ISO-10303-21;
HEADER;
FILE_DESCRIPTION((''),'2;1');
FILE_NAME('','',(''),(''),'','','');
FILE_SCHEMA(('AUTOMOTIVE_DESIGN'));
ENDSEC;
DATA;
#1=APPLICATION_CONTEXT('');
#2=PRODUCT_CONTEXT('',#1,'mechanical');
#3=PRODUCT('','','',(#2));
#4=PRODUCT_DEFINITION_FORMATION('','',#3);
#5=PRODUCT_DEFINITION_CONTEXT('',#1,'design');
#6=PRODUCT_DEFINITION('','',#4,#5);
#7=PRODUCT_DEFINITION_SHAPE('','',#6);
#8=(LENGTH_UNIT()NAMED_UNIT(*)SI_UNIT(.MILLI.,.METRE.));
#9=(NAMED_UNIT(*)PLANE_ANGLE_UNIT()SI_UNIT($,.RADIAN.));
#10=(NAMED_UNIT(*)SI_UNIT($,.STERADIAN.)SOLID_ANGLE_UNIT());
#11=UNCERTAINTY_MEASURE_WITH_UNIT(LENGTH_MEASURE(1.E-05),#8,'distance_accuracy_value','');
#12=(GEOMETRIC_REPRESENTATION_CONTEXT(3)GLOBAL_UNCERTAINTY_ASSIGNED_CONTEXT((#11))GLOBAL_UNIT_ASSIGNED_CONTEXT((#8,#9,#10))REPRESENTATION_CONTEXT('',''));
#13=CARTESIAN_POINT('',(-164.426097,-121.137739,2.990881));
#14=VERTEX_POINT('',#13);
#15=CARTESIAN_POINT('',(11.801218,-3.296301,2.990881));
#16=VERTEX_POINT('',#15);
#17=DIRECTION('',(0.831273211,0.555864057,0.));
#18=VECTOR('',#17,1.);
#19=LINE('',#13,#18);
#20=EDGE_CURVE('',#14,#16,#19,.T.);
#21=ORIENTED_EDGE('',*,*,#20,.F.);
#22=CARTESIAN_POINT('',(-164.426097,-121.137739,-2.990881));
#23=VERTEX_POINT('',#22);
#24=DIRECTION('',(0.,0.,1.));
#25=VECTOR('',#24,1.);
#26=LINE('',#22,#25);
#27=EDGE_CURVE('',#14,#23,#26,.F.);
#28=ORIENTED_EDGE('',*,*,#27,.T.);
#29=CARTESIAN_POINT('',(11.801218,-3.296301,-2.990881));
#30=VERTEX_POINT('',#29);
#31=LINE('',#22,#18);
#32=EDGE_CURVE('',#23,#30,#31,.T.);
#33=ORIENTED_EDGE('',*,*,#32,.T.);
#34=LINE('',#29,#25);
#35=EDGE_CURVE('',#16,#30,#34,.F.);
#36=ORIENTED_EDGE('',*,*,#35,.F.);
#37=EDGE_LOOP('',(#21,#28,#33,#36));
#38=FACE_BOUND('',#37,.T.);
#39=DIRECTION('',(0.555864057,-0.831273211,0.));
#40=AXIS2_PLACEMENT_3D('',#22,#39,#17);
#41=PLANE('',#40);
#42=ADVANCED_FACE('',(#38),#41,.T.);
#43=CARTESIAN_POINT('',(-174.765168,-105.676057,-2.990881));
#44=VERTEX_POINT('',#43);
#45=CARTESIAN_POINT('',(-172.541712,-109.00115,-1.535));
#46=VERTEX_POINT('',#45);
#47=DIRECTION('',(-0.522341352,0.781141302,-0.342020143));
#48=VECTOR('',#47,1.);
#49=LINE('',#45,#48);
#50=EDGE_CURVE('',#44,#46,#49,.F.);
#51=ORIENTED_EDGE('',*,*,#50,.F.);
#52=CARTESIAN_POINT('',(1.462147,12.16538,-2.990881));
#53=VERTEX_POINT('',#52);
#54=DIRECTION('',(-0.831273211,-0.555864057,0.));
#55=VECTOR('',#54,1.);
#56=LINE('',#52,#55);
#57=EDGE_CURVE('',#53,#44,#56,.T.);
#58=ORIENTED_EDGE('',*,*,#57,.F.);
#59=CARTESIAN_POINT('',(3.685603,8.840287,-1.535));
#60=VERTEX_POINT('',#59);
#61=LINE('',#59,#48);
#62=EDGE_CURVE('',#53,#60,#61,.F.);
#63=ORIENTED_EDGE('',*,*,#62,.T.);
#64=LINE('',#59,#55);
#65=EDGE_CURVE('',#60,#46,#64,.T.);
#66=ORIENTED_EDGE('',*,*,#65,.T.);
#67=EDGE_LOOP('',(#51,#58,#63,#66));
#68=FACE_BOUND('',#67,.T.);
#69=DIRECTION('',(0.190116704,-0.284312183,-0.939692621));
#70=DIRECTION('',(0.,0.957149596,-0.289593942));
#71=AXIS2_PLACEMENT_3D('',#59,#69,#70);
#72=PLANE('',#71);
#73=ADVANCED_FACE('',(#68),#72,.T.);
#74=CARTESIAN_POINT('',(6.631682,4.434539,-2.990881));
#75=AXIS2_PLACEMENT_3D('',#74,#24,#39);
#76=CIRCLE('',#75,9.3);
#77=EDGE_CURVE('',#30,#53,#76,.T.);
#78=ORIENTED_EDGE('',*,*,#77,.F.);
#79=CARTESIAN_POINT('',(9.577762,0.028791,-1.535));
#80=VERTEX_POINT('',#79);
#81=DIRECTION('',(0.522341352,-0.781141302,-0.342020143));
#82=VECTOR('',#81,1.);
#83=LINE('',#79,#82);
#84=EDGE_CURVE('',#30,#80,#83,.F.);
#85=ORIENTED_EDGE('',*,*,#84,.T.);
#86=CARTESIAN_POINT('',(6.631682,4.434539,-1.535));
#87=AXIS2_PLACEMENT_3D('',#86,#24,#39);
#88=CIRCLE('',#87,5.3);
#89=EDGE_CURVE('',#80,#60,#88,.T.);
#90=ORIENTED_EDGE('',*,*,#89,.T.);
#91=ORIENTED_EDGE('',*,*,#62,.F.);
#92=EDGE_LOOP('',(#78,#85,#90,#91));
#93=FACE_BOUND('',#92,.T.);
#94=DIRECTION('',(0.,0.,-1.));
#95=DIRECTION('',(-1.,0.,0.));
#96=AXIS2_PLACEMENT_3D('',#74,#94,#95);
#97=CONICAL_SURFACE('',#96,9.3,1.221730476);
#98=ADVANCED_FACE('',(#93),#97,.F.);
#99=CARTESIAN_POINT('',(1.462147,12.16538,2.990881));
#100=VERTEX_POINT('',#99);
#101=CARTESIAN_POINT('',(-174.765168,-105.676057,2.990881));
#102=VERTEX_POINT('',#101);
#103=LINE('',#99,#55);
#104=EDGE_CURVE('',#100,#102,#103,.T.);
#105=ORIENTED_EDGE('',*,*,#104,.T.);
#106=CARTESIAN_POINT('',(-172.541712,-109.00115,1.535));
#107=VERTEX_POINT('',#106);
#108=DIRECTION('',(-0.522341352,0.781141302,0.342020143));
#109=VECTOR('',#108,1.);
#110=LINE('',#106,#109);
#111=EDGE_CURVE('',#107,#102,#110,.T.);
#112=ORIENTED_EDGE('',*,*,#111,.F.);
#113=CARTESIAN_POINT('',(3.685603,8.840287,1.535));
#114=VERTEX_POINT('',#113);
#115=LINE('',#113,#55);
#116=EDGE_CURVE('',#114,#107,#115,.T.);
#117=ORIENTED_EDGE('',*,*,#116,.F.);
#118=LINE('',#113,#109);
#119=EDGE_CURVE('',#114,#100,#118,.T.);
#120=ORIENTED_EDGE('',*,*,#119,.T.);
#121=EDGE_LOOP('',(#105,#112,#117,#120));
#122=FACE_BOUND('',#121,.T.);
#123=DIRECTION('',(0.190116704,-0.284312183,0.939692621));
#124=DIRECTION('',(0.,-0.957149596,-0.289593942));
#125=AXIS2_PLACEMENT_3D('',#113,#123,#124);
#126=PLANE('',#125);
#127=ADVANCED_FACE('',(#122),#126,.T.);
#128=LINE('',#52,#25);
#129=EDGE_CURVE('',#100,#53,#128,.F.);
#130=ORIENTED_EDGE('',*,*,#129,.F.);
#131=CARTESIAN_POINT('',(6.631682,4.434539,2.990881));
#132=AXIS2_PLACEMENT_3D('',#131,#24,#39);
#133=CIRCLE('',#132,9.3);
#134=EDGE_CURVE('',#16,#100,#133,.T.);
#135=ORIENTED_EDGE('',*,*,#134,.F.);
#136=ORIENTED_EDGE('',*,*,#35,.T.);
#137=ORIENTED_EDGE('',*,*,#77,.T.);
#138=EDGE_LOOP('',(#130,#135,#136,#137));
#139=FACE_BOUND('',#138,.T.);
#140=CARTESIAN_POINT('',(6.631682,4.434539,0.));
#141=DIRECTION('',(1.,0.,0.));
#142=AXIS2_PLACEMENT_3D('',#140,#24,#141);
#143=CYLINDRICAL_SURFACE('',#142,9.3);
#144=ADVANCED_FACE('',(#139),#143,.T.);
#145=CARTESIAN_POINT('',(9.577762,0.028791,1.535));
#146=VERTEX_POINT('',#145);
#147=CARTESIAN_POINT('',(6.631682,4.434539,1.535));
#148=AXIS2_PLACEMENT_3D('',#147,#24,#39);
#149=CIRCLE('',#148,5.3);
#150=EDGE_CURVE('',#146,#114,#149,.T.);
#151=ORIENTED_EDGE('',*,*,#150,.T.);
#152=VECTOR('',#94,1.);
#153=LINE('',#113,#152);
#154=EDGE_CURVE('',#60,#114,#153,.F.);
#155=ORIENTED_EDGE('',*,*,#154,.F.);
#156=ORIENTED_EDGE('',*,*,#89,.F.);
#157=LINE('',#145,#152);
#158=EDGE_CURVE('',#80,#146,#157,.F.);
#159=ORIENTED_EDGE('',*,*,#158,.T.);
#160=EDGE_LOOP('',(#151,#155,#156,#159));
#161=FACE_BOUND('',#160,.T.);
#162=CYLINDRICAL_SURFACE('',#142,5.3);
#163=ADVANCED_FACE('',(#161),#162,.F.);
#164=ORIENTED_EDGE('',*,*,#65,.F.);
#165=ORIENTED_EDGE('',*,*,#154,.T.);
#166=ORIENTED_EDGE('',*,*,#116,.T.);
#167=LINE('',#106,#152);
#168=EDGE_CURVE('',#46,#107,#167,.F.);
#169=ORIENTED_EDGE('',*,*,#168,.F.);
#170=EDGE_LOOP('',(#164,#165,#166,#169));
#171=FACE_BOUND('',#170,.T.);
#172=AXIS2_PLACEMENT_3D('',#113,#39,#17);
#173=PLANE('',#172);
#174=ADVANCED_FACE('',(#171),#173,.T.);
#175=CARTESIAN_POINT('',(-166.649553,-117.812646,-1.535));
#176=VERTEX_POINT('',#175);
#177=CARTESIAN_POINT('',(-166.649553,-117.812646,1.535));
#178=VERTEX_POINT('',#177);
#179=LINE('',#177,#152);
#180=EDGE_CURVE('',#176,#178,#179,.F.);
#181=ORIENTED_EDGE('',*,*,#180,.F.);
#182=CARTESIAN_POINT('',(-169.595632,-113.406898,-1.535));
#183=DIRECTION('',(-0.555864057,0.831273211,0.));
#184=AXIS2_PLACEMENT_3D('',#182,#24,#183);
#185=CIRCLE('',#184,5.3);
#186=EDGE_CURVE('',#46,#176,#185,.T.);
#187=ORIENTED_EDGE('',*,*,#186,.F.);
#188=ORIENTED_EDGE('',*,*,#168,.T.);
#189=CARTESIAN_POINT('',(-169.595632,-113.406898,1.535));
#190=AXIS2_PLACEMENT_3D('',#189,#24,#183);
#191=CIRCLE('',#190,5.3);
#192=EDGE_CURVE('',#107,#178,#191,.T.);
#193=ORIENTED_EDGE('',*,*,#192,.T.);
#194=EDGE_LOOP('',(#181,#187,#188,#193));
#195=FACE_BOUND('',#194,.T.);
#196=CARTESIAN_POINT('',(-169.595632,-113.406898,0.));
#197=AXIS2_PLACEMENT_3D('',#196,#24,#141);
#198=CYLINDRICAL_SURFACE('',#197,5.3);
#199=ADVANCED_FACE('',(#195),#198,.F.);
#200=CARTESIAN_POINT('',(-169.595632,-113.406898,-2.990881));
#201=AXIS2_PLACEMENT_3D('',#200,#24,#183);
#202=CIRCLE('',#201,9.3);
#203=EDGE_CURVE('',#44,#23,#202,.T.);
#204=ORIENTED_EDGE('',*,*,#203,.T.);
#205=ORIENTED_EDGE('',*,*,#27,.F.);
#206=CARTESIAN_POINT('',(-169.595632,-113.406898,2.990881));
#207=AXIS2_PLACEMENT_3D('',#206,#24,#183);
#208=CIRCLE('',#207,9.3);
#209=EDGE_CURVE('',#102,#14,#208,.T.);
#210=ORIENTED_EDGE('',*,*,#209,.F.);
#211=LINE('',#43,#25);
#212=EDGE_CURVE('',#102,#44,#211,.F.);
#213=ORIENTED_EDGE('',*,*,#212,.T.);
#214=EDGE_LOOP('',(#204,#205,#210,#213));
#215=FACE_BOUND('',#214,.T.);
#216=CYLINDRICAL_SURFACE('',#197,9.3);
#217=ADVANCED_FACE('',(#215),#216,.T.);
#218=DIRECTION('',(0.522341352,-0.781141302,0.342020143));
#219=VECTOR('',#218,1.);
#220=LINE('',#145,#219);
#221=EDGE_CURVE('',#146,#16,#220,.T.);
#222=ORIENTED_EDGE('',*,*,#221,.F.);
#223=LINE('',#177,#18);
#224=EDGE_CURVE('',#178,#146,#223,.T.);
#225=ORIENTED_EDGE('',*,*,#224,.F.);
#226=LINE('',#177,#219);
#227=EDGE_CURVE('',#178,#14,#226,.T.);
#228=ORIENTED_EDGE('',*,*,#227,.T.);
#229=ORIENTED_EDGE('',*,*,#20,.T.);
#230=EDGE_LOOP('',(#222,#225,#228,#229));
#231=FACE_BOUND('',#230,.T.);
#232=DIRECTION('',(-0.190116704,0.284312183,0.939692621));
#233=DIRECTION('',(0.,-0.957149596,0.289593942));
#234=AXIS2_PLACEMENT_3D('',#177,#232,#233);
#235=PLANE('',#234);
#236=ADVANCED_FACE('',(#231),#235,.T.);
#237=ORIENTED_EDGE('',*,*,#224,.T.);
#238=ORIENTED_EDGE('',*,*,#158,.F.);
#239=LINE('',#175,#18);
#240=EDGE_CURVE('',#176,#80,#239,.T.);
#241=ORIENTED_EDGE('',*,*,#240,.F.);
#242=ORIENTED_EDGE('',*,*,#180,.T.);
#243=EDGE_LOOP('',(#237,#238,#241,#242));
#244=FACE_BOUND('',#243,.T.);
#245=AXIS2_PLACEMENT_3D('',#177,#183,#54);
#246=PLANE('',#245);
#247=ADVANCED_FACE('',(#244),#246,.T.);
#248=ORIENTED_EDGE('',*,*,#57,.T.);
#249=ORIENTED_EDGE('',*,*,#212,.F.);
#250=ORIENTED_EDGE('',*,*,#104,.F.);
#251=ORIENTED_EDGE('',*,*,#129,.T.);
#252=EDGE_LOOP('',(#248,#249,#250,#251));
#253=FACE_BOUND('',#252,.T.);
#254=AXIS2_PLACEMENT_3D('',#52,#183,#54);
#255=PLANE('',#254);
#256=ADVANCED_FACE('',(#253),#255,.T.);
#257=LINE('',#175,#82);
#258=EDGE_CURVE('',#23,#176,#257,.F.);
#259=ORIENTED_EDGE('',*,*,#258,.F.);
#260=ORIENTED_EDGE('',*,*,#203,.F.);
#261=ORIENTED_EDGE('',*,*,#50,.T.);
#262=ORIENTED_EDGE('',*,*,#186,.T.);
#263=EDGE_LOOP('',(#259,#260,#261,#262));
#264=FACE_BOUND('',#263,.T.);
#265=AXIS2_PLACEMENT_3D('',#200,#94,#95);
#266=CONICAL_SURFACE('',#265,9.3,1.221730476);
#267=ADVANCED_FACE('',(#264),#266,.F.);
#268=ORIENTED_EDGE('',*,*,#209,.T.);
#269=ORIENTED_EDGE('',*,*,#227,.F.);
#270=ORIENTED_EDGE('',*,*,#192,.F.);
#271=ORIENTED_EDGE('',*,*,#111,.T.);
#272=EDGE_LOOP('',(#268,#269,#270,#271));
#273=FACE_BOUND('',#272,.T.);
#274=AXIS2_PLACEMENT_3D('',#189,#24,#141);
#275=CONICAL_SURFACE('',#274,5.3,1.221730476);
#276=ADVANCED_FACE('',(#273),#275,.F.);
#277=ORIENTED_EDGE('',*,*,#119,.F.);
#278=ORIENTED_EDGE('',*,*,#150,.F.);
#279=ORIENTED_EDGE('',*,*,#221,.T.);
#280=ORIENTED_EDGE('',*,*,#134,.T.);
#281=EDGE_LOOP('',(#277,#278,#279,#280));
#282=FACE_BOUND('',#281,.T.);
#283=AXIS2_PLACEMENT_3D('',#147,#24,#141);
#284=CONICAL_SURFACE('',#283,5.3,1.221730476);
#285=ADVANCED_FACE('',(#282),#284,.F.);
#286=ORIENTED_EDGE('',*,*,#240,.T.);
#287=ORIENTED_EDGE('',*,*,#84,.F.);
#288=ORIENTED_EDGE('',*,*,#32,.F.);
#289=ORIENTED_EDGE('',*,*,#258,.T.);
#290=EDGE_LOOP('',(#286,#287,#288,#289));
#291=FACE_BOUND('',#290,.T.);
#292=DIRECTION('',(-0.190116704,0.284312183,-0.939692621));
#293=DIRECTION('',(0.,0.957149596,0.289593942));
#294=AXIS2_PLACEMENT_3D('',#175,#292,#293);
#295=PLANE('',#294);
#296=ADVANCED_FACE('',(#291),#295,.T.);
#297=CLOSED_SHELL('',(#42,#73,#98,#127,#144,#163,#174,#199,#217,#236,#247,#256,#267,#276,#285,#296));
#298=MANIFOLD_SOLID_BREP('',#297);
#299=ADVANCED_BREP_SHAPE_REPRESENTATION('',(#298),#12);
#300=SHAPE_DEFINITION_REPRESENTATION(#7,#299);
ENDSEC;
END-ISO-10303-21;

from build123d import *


with BuildPart() as part:
    # 扫描2: sweep along a path in 草图2
    with BuildLine(Plane.XY) as sweep_2_path:
        Line((9.577761756, 0.02879138), (-166.649552908, -117.812646038))
        ThreePointArc((-166.649552908, -117.812646038), (-174.001380423, -116.352977522), (-172.541711908, -109.001150006))
        Line((-172.541711908, -109.001150006), (3.685602756, 8.840287412))
        ThreePointArc((3.685602756, 8.840287412), (11.037430272, 7.380618896), (9.577761756, 0.02879138))
    # 草图3 → 扫描2 (sweep)
    with BuildSketch(Plane(origin=(9.577761756, 0.02879138, 0), x_dir=(0, 0, -1), z_dir=(-0.8312732105360424, -0.5558640566227507, 0))):
        Polygon((-1.535, -10.6), (1.535, -10.6), (2.990880937, -14.6), (-2.990880937, -14.6), align=None)
    sweep(path=sweep_2_path.line)


solid = part.part
